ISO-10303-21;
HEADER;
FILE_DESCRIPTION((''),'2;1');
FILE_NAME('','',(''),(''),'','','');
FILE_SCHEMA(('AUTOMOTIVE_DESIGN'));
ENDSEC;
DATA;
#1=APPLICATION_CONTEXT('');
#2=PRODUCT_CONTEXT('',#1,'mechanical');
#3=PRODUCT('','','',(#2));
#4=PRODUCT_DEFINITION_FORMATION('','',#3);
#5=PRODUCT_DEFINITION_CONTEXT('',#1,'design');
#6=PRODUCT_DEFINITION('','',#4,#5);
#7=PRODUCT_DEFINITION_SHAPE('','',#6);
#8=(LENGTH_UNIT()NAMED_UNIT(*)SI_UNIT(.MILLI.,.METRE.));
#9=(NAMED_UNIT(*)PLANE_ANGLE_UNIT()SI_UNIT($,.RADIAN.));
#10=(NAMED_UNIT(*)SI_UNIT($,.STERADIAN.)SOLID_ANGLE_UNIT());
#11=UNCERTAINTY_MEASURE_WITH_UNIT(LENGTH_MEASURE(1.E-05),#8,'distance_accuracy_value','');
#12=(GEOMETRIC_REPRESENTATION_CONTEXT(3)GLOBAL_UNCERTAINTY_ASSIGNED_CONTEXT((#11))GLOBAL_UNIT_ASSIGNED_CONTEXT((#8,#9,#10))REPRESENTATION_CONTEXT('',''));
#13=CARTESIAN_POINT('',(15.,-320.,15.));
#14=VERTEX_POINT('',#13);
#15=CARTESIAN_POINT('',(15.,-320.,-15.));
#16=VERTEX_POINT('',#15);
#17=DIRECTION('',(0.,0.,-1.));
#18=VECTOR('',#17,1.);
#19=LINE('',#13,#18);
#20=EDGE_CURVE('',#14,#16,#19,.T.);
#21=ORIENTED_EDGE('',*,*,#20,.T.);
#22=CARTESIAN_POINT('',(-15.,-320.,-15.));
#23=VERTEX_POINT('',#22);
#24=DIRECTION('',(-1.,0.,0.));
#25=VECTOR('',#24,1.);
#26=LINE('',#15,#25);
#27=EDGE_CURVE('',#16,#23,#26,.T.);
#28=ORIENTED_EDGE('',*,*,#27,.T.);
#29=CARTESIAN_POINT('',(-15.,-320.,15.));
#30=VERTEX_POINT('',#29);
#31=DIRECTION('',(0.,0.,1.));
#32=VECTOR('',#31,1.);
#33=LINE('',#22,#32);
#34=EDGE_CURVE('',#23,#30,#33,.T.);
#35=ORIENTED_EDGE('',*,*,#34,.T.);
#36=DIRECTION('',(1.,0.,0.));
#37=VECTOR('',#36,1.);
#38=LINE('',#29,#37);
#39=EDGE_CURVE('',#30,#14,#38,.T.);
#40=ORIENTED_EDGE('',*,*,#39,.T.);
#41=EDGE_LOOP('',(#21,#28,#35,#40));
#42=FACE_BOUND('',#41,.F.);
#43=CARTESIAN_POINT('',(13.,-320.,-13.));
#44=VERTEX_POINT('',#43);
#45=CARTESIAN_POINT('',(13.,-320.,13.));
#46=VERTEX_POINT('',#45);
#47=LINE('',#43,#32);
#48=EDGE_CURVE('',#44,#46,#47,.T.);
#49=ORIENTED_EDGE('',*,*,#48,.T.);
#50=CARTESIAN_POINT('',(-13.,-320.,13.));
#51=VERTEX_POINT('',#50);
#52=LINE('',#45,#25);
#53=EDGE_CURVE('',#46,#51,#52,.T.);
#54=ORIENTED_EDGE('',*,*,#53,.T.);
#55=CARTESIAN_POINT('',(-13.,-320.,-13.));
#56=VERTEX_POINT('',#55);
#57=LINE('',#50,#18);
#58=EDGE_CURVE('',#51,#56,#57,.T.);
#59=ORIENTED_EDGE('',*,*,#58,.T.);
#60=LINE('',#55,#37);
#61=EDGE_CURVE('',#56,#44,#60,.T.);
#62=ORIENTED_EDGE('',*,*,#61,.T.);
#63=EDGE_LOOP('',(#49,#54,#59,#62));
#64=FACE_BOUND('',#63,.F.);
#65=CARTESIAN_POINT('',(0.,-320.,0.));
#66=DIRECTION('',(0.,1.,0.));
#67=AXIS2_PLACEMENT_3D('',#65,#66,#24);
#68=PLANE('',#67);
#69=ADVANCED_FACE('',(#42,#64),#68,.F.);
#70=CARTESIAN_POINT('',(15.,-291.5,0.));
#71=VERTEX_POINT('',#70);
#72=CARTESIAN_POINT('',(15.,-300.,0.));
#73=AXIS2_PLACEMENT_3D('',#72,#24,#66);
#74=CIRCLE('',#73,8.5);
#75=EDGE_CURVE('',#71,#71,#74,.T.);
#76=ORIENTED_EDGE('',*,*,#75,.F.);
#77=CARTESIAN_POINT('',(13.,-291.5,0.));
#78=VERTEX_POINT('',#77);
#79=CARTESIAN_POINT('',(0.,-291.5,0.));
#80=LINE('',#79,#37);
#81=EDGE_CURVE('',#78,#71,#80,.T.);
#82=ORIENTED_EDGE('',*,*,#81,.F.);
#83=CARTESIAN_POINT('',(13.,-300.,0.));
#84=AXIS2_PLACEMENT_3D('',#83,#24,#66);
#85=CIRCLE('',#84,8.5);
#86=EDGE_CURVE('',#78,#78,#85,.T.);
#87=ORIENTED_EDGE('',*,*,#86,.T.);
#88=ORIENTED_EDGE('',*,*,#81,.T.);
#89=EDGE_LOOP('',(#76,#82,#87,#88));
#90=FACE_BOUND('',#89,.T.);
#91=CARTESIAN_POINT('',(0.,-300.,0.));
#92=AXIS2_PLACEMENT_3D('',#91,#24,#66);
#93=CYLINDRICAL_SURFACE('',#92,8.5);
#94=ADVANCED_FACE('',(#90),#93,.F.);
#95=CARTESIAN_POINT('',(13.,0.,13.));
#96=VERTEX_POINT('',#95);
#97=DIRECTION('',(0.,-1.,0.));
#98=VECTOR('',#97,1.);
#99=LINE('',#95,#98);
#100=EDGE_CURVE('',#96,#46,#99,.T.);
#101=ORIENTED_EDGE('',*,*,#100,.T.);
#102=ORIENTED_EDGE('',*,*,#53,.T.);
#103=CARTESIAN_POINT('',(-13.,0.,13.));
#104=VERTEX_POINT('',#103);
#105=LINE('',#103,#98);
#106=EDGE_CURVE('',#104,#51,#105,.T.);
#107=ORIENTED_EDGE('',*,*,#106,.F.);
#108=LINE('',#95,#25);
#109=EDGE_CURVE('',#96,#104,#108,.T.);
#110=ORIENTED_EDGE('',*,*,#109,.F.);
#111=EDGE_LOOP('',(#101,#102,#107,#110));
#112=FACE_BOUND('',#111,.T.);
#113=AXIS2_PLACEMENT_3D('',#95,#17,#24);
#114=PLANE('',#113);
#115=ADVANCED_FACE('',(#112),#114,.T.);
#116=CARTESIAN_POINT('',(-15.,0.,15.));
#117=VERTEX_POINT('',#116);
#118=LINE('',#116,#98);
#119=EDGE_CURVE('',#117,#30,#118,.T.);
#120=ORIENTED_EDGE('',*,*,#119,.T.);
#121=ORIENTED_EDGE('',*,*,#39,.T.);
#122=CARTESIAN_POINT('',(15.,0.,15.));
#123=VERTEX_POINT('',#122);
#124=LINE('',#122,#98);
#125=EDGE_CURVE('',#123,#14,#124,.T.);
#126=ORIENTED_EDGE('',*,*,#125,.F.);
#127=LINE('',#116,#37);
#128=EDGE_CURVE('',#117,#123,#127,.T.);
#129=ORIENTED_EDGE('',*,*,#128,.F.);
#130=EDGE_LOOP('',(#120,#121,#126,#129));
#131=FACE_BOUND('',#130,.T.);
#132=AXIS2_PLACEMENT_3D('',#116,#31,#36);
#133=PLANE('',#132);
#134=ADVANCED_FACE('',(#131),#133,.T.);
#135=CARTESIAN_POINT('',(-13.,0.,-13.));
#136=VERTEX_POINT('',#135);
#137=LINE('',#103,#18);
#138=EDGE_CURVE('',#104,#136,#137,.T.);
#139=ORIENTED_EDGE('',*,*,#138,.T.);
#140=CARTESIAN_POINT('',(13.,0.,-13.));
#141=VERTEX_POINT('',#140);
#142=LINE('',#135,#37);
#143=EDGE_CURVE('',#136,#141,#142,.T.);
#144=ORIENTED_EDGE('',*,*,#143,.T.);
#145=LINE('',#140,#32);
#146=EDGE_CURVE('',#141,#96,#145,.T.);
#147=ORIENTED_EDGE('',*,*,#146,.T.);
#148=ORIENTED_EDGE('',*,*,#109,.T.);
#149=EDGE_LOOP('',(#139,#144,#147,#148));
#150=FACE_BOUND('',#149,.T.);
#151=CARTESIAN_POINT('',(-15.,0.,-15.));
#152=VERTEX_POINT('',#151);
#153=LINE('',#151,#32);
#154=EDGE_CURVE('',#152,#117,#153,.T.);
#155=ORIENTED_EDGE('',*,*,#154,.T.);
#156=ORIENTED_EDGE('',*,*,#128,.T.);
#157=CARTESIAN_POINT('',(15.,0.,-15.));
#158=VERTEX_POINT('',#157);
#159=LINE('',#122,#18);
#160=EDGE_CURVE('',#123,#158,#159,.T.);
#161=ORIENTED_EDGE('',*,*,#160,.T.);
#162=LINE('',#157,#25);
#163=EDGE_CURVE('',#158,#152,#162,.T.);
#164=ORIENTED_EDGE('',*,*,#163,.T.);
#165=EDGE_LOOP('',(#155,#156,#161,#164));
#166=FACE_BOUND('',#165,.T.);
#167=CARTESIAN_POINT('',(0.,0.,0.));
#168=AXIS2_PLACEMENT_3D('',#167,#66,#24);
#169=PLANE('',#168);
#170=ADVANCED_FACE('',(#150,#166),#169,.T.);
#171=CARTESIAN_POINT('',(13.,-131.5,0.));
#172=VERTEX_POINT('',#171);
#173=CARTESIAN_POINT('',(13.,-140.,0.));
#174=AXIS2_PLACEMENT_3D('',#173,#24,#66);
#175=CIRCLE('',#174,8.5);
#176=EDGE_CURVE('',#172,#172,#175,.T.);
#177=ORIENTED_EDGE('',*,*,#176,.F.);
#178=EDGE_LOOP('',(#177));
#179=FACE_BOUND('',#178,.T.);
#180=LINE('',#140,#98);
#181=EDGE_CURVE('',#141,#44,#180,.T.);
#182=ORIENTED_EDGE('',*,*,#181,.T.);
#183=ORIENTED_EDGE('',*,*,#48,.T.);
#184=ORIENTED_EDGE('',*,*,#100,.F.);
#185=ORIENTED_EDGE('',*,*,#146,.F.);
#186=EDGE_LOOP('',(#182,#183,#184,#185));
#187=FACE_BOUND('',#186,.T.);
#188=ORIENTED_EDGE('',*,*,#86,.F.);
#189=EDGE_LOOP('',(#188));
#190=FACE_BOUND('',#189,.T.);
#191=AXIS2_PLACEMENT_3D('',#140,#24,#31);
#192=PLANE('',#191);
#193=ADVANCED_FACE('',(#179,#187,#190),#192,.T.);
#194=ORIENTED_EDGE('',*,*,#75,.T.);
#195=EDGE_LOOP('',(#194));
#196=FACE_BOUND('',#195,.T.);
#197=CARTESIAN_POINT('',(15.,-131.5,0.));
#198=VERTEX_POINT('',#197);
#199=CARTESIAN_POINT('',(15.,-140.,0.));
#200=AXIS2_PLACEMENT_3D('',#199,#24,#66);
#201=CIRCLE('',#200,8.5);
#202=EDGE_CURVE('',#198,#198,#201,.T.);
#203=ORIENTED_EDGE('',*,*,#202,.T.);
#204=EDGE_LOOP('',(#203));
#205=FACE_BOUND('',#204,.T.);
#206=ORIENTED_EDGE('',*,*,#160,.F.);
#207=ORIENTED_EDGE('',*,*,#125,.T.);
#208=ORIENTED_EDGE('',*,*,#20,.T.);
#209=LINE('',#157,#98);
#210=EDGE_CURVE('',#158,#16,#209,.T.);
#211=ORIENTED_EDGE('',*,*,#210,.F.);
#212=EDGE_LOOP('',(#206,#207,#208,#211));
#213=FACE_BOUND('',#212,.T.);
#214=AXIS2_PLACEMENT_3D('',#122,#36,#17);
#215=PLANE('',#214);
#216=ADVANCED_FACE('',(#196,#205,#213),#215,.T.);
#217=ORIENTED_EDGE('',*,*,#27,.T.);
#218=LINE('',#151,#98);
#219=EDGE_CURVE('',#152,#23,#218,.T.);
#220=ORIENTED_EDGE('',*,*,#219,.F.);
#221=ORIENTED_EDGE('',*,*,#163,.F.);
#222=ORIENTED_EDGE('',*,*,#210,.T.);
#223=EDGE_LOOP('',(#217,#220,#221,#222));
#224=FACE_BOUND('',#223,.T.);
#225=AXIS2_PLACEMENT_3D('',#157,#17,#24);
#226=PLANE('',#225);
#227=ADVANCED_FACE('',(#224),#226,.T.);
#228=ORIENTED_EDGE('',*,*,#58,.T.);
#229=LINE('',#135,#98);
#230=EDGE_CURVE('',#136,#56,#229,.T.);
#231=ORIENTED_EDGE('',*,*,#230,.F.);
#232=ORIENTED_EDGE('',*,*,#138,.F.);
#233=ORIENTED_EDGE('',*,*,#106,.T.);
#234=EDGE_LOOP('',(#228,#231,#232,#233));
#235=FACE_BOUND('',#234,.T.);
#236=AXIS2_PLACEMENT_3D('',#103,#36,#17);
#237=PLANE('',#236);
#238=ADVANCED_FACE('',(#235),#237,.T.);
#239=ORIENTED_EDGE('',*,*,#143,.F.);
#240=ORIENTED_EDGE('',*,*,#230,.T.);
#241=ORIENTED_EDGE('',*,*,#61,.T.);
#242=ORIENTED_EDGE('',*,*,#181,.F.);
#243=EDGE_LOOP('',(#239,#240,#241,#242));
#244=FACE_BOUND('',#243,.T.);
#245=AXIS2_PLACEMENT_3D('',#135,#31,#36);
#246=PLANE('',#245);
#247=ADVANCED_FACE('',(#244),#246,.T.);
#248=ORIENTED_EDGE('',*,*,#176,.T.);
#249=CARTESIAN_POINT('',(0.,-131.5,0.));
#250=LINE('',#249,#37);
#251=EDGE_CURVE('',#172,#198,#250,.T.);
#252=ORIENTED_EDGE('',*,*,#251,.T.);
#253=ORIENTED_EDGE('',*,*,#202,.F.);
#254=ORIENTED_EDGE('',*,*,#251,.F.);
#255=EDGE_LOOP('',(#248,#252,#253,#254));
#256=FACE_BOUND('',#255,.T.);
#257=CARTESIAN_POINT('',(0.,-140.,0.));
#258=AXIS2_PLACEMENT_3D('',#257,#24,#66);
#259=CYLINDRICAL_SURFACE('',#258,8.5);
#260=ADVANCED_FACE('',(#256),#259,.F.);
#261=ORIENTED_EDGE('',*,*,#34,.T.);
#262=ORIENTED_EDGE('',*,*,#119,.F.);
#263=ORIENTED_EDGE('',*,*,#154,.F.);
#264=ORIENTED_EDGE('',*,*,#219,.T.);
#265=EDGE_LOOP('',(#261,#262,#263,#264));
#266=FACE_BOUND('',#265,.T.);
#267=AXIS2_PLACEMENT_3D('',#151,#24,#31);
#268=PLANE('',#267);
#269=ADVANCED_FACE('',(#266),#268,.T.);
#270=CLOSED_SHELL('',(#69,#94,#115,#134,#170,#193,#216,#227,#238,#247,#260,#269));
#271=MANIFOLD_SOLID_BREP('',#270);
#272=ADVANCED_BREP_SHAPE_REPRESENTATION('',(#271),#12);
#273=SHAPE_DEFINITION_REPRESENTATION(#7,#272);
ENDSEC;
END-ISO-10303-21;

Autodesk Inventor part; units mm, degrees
ref_plane "YZ Plane" through (0, 0, 0) normal (1, 0, 0) x (0, 1, 0)
ref_plane "XZ Plane" through (0, 0, 0) normal (0, 1, 0) x (-1, 0, 0)
ref_plane "XY Plane" through (0, 0, 0) normal (0, 0, 1) x (1, 0, 0)
sketch "Sketch9" plane through (0, 0, 0) normal (0, 1, 0) x (-1, 0, 0)
  line L0 (15, 15) -> (-15, 15)
  line L1 (-15, 15) -> (-15, -15)
  line L2 (-15, -15) -> (15, -15)
  line L3 (15, -15) -> (15, 15)
  line L4 (15, 15) -> (-15, -15) construction
  line L5 (-15, 15) -> (15, -15) construction
  line L6 (-13, 13) -> (13, 13)
  line L7 (13, 13) -> (13, -13)
  line L8 (13, -13) -> (-13, -13)
  line L9 (-13, -13) -> (-13, 13)
  point P0 (0, 0)
  dimension "d172" = 30
  dimension "d173" = 30
  dimension "d174" = 2
extrude "Extrusion3" add sketch "Sketch9" against normal blind 320
sketch "Sketch10" plane through (0, 0, 0) normal (1, 0, 0) x (0, 1, 0)
  line L0 (0, 15) -> (0, -15) construction
  line L1 (0, 15) -> (-320, 15) construction
  line L2 (-320, -15) -> (-320, 15) construction
  line L3 (0, -15) -> (-320, -15) construction
  line L4 (-148.5, 8.5) -> (-131.5, 8.5)
  line L5 (-131.5, 8.5) -> (-131.5, -8.5)
  line L6 (-131.5, -8.5) -> (-148.5, -8.5)
  line L7 (-148.5, -8.5) -> (-148.5, 8.5)
  line L8 (-148.5, 8.5) -> (-131.5, -8.5) construction
  line L9 (-131.5, 8.5) -> (-148.5, -8.5) construction
  line L10 (-308.5, 8.5) -> (-291.5, 8.5)
  line L11 (-291.5, 8.5) -> (-291.5, -8.5)
  line L12 (-291.5, -8.5) -> (-308.5, -8.5)
  line L13 (-308.5, -8.5) -> (-308.5, 8.5)
  line L14 (-308.5, 8.5) -> (-291.5, -8.5) construction
  line L15 (-291.5, 8.5) -> (-308.5, -8.5) construction
  line L16 (-428.5, 8.5) -> (-411.5, 8.5)
  line L17 (-411.5, 8.5) -> (-411.5, -8.5)
  line L18 (-411.5, -8.5) -> (-428.5, -8.5)
  line L19 (-428.5, -8.5) -> (-428.5, 8.5)
  line L20 (-428.5, 8.5) -> (-411.5, -8.5) construction
  line L21 (-411.5, 8.5) -> (-428.5, -8.5) construction
  circle A0 centre (-470, 0) radius 8.5
  line L22 (0, 0) -> (30, 0)
  circle A1 centre (-140, 0) radius 8.5
  circle A2 centre (-300, 0) radius 8.5
  circle A3 centre (-420, 0) radius 8.5
  dimension "d177" = 17
  dimension "d178" = 17
  dimension "d181" = 30
  dimension "d182" = 170
  dimension "d183" = 330
  dimension "d184" = 450
  dimension "d185" = 500
  dimension "d186" = 17
extrude "Extrusion4" cut sketch "Sketch10" along normal through all contours A1 | A2
properties part number "PNS 756 FDS 1200 way tube 3_1600" material "Stainless Steel"
